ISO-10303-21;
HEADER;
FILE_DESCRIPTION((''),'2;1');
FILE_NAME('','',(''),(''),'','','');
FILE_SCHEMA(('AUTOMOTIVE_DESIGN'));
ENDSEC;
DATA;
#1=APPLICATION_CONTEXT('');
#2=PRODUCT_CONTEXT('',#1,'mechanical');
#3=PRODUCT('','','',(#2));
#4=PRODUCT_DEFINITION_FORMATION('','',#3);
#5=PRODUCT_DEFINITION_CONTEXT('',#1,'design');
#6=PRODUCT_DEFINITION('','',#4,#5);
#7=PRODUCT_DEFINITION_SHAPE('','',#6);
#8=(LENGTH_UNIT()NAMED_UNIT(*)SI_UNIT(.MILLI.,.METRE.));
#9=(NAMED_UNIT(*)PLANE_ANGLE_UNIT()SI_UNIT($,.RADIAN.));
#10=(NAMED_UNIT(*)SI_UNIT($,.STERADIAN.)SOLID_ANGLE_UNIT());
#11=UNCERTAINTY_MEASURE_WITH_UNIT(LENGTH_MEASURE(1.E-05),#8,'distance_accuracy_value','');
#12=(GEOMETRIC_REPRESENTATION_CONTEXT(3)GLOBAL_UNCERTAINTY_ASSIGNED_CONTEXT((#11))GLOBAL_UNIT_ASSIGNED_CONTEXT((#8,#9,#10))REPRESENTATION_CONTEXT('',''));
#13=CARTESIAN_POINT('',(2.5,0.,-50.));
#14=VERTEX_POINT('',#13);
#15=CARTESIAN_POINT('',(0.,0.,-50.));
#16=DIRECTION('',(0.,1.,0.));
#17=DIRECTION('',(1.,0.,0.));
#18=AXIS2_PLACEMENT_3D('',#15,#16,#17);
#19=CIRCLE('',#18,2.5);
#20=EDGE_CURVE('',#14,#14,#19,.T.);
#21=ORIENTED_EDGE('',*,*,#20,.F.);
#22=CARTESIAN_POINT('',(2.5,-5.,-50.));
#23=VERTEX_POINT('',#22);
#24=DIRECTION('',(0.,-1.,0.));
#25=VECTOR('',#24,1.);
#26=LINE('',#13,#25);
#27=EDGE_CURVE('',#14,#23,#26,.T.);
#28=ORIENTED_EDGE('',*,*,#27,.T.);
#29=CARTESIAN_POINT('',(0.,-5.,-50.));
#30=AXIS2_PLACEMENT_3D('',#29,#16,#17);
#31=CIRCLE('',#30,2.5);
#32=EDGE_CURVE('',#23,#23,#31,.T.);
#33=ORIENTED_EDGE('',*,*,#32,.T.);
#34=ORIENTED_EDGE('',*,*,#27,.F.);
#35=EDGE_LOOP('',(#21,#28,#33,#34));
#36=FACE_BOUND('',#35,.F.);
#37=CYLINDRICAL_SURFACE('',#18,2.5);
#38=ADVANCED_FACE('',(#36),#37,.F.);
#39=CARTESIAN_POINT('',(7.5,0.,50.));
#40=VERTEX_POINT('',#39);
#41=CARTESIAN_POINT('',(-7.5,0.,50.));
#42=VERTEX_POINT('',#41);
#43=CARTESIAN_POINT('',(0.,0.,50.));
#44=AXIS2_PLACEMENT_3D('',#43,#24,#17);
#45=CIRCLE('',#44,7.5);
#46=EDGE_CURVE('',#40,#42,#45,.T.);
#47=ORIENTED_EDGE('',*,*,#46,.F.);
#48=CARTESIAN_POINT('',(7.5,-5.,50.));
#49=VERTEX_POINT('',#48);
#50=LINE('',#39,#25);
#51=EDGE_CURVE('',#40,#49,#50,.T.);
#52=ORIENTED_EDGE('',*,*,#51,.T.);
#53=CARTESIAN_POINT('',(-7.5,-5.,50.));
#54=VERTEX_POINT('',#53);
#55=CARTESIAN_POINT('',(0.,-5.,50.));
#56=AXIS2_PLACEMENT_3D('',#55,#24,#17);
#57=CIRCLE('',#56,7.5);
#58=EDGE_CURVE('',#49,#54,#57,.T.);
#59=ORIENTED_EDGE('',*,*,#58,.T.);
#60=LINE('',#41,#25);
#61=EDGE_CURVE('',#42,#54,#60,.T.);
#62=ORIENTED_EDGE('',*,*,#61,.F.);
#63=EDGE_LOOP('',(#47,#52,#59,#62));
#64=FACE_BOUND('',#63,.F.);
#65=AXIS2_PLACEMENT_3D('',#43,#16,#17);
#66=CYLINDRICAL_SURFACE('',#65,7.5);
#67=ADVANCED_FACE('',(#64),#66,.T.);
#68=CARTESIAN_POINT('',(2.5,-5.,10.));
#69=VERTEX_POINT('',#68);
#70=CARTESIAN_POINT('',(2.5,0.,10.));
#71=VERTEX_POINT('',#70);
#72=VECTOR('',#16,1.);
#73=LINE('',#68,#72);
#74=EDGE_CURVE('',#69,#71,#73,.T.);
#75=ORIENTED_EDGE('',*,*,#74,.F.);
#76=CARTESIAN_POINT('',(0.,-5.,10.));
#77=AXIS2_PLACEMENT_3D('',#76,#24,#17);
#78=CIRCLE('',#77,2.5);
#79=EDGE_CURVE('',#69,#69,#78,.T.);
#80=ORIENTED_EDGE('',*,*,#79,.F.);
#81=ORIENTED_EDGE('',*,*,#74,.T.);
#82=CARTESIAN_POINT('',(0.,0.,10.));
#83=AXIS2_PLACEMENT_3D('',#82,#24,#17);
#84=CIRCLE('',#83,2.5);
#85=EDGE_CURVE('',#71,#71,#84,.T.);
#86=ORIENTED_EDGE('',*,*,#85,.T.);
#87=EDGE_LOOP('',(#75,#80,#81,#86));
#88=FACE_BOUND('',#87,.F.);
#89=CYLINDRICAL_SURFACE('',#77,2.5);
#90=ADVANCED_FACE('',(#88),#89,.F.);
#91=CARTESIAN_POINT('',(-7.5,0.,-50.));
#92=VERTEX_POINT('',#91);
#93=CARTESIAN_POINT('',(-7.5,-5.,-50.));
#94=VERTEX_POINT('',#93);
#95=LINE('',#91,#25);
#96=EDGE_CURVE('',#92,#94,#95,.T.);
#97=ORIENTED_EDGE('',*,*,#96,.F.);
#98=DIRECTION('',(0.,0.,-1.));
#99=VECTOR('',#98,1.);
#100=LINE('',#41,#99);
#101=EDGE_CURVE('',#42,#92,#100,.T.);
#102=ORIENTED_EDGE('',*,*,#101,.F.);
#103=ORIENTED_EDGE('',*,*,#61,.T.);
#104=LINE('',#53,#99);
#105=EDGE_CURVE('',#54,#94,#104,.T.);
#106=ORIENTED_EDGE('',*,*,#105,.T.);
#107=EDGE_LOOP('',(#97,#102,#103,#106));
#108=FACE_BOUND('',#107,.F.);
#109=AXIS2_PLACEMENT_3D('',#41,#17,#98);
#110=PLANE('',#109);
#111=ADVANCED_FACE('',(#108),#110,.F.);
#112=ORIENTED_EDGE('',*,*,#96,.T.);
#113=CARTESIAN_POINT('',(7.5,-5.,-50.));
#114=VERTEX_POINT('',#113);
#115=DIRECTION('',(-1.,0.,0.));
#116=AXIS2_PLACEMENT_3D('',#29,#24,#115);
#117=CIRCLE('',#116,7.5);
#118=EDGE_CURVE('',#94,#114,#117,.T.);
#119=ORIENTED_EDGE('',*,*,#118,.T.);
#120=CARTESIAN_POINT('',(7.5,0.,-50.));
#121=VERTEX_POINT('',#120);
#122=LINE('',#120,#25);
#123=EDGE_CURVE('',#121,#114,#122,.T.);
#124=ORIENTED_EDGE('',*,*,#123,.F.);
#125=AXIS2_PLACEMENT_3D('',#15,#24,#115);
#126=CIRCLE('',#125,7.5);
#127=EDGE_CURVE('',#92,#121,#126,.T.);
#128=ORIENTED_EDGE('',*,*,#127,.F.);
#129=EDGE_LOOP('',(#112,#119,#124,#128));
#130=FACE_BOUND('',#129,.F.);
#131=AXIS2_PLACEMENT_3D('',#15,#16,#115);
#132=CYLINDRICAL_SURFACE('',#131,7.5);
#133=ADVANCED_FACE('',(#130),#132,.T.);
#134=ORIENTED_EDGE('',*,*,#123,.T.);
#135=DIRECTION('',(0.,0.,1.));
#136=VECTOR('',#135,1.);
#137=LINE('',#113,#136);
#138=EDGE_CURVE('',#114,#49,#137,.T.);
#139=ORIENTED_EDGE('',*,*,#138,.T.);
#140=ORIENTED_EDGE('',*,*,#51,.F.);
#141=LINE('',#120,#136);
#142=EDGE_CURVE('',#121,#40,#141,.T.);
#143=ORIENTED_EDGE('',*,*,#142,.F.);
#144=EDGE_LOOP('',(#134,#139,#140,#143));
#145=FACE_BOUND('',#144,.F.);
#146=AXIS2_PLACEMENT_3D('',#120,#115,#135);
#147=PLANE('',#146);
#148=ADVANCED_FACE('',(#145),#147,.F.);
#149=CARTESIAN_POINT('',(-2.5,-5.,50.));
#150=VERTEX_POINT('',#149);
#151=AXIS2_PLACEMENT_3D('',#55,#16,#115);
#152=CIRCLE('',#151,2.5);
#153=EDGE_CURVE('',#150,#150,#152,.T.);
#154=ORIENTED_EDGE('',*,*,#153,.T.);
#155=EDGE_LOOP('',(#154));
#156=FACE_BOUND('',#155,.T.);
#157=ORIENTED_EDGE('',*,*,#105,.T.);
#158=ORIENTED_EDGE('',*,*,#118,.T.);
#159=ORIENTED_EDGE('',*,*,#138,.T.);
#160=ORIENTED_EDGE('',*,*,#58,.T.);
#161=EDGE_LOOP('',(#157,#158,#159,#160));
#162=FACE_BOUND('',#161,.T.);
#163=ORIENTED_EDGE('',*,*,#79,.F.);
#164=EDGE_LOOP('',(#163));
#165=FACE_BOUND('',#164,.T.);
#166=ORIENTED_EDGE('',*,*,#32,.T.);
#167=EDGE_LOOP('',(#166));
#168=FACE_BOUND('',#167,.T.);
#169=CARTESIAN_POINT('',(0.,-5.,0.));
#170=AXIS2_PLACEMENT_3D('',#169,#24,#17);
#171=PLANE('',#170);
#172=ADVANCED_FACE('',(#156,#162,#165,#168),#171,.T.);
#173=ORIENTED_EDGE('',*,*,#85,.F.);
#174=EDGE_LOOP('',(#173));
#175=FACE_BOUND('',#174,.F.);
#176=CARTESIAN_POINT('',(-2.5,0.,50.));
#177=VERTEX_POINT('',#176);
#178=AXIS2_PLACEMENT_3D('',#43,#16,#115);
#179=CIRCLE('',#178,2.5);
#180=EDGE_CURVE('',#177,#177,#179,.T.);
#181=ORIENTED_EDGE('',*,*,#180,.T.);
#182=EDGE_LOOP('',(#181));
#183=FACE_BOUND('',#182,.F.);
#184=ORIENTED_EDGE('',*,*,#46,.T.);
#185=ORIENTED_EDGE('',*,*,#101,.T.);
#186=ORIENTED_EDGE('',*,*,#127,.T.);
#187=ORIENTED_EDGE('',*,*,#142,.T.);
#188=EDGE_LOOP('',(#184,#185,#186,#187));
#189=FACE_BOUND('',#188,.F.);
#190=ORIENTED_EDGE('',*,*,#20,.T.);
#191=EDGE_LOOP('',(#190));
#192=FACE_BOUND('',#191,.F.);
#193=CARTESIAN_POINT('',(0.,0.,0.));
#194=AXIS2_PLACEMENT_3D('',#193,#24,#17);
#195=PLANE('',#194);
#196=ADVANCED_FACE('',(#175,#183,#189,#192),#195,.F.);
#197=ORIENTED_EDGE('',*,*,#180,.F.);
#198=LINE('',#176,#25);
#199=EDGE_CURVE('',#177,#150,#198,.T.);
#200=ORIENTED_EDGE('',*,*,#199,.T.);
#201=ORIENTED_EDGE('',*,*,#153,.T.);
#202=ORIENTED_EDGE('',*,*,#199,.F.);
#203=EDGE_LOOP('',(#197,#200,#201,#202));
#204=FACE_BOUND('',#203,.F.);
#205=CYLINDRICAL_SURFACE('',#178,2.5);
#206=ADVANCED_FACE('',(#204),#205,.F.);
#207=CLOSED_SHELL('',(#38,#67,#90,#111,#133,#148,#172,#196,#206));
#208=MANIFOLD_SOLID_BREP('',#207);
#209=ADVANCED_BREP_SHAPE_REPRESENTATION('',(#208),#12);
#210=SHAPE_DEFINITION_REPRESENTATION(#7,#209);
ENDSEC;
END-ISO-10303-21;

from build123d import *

# Parameters (mm, degrees)
F1_DEPTH = 5
F2_R     = 2.5
F3_DEPTH = 5.001


with BuildPart() as f1:
    # F0 (on Front) → F1 (new body)
    with BuildSketch(Plane.XZ):
        with BuildLine():
            Line((7.5, -50), (7.5, 50))
            Line((7.5, 50), (2.5, 50))
            ThreePointArc((2.5, 50), (0, 47.5), (-2.5, 50))
            Line((-2.5, 50), (-7.5, 50))
            Line((-7.5, 50), (-7.5, -50))
            Line((-7.5, -50), (-2.5, -50))
            ThreePointArc((-2.5, -50), (0, -47.5), (2.5, -50))
            Line((2.5, -50), (7.5, -50))
        make_face()
        with BuildLine():
            Line((2.5, 50), (7.5, 50))
            ThreePointArc((7.5, 50), (0, 57.5), (-7.5, 50))
            Line((-7.5, 50), (-2.5, 50))
            ThreePointArc((-2.5, 50), (0, 52.5), (2.5, 50))
        make_face()
        with BuildLine():
            ThreePointArc((-7.5, -50), (0, -57.5), (7.5, -50))
            Line((7.5, -50), (2.5, -50))
            ThreePointArc((2.5, -50), (0, -52.5), (-2.5, -50))
            Line((-2.5, -50), (-7.5, -50))
        make_face()
    extrude(amount=F1_DEPTH)

    # F2 (on face) → F3 (cut, through all)
    with BuildSketch(Plane.XZ.offset(5)):
        with Locations((0, 10)):
            Circle(F2_R)
    extrude(amount=-F3_DEPTH, mode=Mode.SUBTRACT)


solid = f1.part
